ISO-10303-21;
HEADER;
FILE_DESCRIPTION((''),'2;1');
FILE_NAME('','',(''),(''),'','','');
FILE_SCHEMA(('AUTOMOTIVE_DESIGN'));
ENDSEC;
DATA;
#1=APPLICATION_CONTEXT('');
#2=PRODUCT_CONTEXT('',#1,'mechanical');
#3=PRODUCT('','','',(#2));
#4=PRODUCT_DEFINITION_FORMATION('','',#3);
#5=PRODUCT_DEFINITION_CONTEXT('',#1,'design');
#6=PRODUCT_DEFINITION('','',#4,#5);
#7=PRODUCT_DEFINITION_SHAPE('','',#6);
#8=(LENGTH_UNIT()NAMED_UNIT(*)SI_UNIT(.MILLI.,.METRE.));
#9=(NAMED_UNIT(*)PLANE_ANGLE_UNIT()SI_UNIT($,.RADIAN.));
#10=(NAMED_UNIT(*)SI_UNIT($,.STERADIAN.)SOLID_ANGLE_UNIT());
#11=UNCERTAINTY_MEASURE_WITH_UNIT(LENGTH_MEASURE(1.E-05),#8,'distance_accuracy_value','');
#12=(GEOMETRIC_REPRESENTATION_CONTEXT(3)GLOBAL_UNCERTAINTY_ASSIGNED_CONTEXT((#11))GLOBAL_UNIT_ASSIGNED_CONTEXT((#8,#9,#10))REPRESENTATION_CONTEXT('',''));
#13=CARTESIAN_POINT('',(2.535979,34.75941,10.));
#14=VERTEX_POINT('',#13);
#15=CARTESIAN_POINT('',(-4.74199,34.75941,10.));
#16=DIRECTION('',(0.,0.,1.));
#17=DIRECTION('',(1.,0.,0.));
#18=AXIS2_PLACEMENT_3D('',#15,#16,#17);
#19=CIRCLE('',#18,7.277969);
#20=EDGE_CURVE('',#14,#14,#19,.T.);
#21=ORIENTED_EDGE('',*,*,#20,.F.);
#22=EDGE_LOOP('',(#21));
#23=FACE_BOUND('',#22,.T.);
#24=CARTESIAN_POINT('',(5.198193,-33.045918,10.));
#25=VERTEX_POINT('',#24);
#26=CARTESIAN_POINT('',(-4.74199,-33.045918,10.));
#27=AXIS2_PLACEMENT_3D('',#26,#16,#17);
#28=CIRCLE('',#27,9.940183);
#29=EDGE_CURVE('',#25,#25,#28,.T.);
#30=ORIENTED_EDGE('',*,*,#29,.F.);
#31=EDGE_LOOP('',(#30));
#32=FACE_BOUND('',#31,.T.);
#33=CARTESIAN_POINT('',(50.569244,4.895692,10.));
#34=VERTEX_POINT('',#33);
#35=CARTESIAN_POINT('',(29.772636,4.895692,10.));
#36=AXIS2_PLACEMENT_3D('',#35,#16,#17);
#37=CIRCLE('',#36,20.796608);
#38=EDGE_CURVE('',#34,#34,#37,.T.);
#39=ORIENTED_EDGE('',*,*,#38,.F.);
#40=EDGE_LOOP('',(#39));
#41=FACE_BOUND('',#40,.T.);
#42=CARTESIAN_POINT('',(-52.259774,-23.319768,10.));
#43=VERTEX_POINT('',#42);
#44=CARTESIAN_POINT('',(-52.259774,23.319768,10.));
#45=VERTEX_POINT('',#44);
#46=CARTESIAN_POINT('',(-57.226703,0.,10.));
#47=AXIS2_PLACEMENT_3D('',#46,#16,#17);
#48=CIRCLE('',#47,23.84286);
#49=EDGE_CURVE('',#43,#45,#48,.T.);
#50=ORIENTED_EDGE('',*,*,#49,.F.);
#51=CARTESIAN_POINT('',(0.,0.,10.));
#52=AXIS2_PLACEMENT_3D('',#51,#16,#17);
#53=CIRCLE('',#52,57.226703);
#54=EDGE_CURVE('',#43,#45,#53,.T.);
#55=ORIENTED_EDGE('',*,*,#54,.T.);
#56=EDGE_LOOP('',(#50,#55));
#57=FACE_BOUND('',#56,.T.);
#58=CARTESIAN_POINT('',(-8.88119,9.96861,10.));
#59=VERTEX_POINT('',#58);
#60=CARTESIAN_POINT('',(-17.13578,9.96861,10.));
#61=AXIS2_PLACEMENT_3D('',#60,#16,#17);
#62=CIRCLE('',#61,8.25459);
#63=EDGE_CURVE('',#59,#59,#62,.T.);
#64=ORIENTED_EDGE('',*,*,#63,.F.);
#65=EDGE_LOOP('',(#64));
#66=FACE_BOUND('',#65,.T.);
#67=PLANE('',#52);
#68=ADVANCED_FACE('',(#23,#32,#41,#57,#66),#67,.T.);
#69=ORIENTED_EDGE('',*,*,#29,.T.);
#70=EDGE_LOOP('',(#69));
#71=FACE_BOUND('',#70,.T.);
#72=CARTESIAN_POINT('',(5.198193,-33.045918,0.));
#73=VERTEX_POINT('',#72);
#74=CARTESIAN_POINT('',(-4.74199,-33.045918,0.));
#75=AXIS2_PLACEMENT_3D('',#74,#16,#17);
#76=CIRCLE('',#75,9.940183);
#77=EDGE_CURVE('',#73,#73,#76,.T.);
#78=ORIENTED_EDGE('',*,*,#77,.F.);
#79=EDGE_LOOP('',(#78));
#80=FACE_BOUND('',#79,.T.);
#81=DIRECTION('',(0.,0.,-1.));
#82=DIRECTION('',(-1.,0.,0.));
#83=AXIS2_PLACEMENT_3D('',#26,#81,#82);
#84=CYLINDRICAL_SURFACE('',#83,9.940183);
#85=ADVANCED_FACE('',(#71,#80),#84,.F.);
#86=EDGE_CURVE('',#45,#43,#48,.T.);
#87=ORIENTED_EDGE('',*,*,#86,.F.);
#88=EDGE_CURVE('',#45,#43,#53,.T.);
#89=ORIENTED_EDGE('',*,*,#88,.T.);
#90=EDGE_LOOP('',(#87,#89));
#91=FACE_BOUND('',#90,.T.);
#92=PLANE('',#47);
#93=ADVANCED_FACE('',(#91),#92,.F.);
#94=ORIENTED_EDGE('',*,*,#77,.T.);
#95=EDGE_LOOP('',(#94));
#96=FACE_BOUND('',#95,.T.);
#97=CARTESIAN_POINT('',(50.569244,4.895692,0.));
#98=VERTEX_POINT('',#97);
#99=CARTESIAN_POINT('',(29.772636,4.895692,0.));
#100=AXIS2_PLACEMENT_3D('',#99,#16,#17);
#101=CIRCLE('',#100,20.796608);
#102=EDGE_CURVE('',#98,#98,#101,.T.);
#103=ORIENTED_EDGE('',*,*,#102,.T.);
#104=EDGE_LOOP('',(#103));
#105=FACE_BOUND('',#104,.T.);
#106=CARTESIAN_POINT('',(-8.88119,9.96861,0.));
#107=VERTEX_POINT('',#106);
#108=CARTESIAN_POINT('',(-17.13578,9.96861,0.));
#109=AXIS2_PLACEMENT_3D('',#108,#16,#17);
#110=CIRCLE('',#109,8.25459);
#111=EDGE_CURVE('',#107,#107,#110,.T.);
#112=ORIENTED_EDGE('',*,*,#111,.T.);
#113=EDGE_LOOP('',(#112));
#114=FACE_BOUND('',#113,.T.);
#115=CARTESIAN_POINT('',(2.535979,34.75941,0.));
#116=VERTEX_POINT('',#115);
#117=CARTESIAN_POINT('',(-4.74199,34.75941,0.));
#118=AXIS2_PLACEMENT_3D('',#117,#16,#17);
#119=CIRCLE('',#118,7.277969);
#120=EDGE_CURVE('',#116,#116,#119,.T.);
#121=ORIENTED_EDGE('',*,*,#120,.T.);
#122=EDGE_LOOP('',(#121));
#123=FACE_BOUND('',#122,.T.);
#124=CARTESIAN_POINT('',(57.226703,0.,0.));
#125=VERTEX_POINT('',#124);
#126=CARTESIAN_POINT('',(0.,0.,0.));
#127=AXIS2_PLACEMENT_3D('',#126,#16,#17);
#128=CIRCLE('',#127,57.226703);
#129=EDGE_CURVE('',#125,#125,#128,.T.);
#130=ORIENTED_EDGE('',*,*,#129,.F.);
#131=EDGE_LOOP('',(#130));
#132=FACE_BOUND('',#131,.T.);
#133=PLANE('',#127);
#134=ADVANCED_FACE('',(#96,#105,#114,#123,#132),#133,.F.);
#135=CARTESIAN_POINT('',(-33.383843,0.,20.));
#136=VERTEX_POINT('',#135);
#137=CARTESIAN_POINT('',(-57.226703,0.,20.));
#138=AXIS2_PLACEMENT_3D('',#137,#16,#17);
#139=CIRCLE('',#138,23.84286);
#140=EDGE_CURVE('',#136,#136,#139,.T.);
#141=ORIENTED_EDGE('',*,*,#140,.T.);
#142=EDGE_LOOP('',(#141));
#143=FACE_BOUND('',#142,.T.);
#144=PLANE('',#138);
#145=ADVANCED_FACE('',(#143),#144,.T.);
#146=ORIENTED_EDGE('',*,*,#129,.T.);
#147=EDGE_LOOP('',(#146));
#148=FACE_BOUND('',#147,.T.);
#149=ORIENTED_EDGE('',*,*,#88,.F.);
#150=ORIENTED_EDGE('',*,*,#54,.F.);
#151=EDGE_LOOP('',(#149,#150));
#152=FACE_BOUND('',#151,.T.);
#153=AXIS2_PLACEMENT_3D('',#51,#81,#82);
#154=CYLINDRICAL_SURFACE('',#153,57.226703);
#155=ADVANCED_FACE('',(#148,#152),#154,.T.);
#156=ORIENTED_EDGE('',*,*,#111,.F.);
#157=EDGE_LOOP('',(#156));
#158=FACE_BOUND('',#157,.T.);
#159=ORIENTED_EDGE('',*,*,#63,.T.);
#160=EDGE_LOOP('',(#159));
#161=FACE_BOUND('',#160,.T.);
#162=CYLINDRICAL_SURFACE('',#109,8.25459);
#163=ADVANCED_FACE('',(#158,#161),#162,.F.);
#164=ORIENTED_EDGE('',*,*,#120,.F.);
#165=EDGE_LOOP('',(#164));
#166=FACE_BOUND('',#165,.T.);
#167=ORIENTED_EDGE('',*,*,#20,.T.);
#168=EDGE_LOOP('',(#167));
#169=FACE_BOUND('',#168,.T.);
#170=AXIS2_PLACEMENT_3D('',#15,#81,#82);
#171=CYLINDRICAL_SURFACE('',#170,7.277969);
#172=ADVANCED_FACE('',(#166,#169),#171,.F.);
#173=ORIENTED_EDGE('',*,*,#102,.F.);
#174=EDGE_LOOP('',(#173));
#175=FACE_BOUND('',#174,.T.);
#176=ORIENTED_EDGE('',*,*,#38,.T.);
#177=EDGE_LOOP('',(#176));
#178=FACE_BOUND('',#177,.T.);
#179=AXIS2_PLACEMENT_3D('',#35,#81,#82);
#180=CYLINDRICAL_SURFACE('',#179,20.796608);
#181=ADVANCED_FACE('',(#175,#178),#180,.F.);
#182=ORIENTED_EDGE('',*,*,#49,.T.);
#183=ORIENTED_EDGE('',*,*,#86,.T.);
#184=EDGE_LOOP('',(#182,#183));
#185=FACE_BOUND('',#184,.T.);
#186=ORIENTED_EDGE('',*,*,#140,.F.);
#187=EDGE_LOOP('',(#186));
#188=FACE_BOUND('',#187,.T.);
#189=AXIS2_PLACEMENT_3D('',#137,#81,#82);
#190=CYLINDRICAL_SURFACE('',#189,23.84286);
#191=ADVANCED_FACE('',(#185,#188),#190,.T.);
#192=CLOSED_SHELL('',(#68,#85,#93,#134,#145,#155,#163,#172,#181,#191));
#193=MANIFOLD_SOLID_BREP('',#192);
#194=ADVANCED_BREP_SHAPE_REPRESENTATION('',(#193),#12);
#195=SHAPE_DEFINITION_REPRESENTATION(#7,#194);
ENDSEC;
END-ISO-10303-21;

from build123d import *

# Parameters (mm, degrees)
CROQUIS1_R              = 57.226702921
CROQUIS1_R_2            = 7.277968804
CROQUIS1_R_3            = 9.940183118
CROQUIS1_R_4            = 20.796607535
SALIENTE_EXTRUIR1_DEPTH = 10
CROQUIS2_R              = 23.842859528
SALIENTE_EXTRUIR2_DEPTH = 10
CROQUIS3_R              = 8.254589986
CORTAR_EXTRUIR1_DEPTH   = 10


with BuildPart() as part:
    # Croquis1 → Saliente-Extruir1 (new body)
    with BuildSketch(Plane.XY):
        Circle(CROQUIS1_R)
        with Locations((-4.741989664, 34.759410431)):
            Circle(CROQUIS1_R_2, mode=Mode.SUBTRACT)
        with Locations((-4.741989664, -33.045918367)):
            Circle(CROQUIS1_R_3, mode=Mode.SUBTRACT)
        with Locations((29.772636186, 4.89569161)):
            Circle(CROQUIS1_R_4, mode=Mode.SUBTRACT)
    extrude(amount=SALIENTE_EXTRUIR1_DEPTH)

    # Croquis2 → Saliente-Extruir2 (add)
    with BuildSketch(Plane.XY.offset(10)):
        with Locations((-57.226702921, 0)):
            Circle(CROQUIS2_R)
    extrude(amount=SALIENTE_EXTRUIR2_DEPTH)

    # Croquis3 → Cortar-Extruir1 (cut)
    with BuildSketch(Plane.XY.offset(10)):
        with Locations((-17.135779728, 9.968610226)):
            Circle(CROQUIS3_R)
    extrude(amount=-CORTAR_EXTRUIR1_DEPTH, mode=Mode.SUBTRACT)


solid = part.part
